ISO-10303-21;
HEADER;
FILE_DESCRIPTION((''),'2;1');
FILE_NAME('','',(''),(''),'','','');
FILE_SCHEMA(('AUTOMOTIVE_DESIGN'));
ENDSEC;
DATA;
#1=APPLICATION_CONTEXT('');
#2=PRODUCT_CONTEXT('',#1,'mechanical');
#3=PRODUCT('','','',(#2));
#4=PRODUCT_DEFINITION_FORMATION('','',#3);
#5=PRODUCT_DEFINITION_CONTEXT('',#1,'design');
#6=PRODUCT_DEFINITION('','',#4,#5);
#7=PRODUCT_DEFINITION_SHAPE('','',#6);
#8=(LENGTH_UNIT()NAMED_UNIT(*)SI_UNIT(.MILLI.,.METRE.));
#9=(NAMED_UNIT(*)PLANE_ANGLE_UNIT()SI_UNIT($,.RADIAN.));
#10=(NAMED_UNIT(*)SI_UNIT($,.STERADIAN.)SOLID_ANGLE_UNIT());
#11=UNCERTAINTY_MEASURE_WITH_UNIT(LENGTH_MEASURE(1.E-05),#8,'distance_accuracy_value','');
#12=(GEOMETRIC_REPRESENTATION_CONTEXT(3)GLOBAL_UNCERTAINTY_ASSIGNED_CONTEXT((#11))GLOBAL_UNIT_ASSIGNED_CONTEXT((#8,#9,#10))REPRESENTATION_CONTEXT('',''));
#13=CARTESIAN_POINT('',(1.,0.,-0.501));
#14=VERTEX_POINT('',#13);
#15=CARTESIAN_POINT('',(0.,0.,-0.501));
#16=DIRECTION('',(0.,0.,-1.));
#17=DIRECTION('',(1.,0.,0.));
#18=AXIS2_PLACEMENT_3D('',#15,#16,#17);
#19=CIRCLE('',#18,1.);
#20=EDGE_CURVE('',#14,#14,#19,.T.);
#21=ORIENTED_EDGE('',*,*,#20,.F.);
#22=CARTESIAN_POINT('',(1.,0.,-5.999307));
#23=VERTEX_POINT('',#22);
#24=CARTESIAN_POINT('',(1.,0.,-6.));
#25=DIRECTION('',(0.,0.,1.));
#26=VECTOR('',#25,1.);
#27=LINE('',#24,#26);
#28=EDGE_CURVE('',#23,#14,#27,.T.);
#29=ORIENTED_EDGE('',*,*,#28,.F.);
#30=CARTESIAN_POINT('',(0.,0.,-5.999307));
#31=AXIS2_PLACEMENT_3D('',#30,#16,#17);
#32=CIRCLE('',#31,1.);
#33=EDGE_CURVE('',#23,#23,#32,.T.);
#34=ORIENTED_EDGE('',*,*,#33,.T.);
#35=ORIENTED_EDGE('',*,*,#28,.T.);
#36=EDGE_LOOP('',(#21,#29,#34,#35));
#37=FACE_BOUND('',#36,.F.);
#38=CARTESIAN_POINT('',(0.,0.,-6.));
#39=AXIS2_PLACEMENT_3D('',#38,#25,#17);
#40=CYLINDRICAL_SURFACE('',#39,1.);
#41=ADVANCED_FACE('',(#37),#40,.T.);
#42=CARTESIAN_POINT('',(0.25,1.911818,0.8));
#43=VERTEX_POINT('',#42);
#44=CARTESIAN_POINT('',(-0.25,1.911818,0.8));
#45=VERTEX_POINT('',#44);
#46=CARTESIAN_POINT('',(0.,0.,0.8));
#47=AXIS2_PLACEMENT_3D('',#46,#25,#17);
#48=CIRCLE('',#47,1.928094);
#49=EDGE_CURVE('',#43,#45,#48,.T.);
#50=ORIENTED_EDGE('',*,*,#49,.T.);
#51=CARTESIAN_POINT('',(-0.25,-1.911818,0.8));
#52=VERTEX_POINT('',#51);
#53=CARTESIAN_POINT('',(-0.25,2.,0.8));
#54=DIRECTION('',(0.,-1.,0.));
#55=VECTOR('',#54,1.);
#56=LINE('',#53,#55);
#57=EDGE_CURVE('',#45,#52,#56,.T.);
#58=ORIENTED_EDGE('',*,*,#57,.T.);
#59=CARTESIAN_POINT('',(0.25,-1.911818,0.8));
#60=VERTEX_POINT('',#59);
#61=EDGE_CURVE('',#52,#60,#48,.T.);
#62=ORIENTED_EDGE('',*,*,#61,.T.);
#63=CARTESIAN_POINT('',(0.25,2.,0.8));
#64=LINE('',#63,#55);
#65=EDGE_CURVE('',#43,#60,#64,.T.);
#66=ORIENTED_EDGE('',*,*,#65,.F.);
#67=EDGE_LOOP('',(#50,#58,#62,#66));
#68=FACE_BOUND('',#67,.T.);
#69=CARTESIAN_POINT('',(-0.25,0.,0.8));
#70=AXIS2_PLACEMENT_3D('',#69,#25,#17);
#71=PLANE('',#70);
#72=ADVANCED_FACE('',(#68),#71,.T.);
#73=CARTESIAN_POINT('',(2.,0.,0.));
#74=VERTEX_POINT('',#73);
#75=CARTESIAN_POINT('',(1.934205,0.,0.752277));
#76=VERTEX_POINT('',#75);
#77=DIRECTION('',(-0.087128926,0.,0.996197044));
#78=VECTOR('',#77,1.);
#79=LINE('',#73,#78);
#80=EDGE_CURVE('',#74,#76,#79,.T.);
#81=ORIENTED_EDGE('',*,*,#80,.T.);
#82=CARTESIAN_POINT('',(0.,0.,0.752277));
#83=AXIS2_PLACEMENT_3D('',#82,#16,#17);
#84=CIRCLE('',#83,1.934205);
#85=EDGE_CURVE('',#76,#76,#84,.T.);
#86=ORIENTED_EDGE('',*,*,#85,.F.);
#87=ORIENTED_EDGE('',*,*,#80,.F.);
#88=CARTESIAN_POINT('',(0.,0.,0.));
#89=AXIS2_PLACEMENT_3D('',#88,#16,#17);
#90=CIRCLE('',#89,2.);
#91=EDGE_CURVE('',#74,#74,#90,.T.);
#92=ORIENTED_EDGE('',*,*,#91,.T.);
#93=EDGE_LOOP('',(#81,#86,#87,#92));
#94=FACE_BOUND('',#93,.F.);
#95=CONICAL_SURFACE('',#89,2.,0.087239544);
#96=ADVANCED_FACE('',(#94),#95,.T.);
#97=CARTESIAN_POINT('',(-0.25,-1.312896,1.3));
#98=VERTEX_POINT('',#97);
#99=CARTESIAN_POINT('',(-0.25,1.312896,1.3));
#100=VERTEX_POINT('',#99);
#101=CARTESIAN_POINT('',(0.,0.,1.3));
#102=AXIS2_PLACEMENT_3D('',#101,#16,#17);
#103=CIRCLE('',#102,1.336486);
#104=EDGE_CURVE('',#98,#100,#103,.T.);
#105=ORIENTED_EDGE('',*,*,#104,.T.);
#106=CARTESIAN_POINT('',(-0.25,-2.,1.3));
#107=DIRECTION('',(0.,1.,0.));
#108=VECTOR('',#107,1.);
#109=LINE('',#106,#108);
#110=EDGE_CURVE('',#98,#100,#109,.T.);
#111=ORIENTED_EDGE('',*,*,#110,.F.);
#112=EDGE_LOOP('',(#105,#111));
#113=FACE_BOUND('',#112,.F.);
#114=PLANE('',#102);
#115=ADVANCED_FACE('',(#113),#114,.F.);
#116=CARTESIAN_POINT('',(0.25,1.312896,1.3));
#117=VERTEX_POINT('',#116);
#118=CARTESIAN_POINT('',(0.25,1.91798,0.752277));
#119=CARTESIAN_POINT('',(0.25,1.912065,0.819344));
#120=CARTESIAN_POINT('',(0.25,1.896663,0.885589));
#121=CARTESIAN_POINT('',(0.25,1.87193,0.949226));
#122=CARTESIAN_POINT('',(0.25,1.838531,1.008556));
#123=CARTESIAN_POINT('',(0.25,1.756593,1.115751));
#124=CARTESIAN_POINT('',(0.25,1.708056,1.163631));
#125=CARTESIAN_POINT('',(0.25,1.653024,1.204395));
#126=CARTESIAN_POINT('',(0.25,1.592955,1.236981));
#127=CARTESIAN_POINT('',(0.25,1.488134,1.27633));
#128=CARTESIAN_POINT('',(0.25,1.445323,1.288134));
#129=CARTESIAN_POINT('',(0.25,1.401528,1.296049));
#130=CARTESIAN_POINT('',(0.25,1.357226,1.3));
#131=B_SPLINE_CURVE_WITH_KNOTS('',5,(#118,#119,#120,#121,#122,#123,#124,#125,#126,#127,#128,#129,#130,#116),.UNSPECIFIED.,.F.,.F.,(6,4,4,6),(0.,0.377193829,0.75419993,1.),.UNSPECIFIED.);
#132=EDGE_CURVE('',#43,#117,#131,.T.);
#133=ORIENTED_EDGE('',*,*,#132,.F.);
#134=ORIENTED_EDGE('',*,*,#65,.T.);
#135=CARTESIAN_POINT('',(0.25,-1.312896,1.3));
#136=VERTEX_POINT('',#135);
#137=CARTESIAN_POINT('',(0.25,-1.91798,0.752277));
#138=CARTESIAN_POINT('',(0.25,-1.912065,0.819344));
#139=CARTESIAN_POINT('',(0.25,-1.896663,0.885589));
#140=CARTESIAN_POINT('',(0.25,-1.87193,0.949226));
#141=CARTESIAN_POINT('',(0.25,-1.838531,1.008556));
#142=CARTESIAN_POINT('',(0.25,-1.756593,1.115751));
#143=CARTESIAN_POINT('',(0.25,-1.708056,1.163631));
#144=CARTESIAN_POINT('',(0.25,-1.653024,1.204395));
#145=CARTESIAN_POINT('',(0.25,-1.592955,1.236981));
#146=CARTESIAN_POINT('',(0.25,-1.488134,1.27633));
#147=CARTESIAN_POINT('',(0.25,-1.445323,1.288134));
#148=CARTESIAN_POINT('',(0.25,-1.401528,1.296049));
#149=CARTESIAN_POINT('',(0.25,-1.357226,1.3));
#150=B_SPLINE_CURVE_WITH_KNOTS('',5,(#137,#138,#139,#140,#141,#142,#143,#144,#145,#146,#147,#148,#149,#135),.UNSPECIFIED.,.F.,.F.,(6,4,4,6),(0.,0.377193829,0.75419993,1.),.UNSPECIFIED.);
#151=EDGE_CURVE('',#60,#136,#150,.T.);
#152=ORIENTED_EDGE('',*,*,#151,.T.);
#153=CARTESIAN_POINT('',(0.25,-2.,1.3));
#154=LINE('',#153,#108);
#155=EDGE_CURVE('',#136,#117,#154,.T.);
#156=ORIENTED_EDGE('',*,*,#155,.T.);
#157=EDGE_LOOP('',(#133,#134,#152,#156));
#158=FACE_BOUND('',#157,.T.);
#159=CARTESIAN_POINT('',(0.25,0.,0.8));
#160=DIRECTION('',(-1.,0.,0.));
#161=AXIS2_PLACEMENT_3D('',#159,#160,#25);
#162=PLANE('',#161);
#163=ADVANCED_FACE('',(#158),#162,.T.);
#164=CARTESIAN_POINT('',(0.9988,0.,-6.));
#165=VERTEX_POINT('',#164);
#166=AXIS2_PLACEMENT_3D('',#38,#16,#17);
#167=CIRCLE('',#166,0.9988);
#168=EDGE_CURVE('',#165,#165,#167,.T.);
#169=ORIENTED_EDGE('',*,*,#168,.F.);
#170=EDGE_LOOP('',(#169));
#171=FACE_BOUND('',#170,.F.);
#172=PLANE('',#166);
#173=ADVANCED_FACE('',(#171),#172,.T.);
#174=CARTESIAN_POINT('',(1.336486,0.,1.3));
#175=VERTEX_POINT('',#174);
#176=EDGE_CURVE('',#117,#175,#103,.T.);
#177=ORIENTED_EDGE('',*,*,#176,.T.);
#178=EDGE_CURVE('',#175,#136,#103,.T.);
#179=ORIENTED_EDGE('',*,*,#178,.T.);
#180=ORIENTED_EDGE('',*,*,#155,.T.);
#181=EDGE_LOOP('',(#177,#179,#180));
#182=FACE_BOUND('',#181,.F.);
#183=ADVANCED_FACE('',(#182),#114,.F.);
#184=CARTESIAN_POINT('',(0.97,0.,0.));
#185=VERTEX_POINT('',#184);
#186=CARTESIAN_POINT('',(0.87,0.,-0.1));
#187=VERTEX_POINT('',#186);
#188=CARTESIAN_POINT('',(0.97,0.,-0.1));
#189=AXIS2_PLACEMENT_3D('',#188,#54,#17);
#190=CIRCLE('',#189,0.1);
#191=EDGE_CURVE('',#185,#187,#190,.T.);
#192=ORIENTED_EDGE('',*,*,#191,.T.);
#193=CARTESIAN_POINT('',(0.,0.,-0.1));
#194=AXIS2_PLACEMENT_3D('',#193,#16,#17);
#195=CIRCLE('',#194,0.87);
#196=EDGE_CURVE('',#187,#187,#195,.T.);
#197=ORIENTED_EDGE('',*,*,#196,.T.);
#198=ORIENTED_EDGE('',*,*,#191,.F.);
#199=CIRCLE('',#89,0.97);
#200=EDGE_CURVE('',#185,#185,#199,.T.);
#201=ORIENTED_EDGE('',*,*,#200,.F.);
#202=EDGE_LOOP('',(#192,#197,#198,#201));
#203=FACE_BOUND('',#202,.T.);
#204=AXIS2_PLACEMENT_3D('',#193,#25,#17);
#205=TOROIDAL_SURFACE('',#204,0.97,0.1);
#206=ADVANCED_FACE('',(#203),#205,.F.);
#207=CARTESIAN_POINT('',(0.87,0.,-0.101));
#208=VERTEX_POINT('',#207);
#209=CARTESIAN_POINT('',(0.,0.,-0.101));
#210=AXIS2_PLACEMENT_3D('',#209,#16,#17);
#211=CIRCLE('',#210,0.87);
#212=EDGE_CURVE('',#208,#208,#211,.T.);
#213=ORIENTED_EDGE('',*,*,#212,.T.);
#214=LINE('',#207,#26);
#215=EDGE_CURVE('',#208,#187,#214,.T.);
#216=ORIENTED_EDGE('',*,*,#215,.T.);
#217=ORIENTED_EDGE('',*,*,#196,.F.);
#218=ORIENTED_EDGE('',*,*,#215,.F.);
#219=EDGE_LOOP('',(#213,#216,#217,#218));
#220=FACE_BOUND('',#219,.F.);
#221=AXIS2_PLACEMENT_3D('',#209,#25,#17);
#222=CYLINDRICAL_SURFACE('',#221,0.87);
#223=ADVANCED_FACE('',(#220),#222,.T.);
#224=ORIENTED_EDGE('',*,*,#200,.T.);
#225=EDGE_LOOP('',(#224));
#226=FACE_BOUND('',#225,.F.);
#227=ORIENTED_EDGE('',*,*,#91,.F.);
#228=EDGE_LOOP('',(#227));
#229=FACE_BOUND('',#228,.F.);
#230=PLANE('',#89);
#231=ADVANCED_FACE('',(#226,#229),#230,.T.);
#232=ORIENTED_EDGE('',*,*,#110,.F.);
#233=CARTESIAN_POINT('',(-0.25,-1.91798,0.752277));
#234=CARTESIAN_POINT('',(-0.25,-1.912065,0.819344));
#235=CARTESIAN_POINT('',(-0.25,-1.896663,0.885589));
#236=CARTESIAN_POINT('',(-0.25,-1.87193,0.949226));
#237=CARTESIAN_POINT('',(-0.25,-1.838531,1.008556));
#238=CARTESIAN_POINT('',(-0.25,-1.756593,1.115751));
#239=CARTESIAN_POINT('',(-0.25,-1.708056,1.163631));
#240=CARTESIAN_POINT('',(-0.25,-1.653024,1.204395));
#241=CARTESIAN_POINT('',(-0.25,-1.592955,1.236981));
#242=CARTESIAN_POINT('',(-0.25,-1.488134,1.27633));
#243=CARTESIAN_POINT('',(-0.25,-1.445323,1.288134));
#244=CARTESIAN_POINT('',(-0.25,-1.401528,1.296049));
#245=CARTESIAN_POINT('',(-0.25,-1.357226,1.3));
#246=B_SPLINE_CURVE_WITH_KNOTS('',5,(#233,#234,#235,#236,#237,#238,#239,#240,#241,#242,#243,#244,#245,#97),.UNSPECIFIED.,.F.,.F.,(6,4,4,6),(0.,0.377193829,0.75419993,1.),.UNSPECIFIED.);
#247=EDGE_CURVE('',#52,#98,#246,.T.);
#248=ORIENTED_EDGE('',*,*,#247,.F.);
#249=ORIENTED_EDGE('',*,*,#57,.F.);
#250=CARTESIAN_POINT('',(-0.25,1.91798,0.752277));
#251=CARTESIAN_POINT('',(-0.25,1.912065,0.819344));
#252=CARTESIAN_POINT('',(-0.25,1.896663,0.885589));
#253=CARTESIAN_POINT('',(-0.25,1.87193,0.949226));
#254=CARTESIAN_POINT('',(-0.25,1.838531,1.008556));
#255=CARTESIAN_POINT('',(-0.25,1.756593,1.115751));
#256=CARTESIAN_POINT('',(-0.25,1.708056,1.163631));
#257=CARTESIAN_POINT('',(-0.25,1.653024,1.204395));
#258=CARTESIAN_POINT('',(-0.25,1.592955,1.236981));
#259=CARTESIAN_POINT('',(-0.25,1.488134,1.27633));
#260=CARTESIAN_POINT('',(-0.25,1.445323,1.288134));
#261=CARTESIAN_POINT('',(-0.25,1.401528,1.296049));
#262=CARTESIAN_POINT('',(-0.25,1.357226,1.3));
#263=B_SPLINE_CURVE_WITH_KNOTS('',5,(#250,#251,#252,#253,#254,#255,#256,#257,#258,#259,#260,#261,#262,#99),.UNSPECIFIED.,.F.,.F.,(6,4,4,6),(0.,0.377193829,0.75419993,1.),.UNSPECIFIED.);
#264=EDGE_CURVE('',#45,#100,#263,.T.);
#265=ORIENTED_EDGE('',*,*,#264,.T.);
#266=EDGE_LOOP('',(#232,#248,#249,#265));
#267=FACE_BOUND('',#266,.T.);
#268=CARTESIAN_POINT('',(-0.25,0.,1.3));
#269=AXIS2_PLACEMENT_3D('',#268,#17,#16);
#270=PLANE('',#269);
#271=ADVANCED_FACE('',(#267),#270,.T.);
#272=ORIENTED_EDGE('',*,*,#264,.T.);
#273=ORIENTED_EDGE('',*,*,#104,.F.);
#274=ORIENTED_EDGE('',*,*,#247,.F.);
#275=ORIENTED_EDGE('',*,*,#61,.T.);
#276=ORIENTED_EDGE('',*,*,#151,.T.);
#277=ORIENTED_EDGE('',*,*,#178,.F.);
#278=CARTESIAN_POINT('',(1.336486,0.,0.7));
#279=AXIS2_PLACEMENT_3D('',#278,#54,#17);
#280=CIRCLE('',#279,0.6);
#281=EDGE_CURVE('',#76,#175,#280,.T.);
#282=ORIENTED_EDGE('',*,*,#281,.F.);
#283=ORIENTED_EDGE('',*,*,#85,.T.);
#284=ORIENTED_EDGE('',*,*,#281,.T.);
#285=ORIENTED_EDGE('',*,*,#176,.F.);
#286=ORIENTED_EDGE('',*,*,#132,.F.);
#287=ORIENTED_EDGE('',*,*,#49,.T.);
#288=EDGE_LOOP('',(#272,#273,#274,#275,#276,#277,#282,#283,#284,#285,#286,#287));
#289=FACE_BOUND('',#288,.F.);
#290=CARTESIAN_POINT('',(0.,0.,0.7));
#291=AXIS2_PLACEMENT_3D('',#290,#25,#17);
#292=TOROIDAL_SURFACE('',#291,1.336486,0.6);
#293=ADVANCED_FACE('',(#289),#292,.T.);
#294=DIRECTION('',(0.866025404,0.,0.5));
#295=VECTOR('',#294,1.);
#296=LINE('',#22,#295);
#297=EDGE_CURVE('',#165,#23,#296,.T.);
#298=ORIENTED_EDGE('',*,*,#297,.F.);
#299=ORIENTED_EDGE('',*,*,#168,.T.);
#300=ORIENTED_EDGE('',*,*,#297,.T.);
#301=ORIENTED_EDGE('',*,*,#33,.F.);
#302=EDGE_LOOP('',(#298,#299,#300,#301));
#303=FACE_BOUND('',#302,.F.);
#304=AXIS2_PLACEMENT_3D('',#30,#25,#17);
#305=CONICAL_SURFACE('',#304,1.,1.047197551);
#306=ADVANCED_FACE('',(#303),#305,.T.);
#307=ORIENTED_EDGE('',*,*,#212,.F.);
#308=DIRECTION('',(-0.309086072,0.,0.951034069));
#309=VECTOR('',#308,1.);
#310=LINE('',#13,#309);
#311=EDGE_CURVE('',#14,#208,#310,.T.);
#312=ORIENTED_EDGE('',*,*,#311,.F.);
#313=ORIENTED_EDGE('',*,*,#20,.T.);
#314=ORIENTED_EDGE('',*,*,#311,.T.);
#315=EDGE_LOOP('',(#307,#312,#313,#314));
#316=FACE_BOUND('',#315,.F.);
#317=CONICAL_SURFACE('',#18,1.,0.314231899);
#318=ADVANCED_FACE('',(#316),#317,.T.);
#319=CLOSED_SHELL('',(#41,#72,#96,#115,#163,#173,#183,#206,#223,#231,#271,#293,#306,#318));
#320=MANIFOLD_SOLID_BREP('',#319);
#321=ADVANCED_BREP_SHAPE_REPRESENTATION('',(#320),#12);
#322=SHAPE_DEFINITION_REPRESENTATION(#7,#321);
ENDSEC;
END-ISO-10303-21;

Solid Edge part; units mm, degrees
sketch "Sketch1" plane through (0, 0, 0) normal (0, -1, 0) x (1, 0, 0)
  line L0 (0, -6) -> (1, -6)
  line L1 (1, -6) -> (1, -0.501)
  line L2 (1, -0.501) -> (0.87, -0.101)
  line L3 (0.87, -0.101) -> (0.87, 0)
  line L4 (0.87, 0) -> (2, 0)
  line L5 (2, 0) -> (1.8863, 1.3)
  line L6 (1.8863, 1.3) -> (0, 1.3)
  dimension "D1" = 1
  dimension "D2" = 0.87
  dimension "D3" = 6
  dimension "D4" = 5.499
  dimension "D5" = 0.4
  dimension "D6" = 2
  dimension "D7" = 1.3
revolve "RevolvedProtrusion1" add sketch "Sketch1" angle 360 about axis through (0, 0, 6) along (0, 0, -1)
fillet "Round_1" radius 0.6 1 edges at (-1.8863, 0, 1.3)
sketch "Sketch2" plane through (0, 0, 0) normal (0, -1, 0) x (1, 0, 0)
  line L0 (-0.25, 1.3) -> (-0.25, 0.8)
  line L1 (-0.25, 0.8) -> (0.25, 0.8)
  line L2 (0.25, 0.8) -> (0.25, 1.3)
  line L3 (0.25, 1.3) -> (-0.25, 1.3)
  dimension "D1" = 0.5
  dimension "D2" = 0.5
  dimension "D3" = 1.3
extrude "ExtrudedCutout_1" cut sketch "Sketch2" along normal mid plane 4
cosmetic_thread "Thread_1" size "M2" thread depth 5.499
fillet "Round_2" radius 0.1 1 edges at (-0.87, 0, 0)
chamfer "Chamfer_1" distance 0.0012 angle 30 1 edges at (-1, 0, -6) measured on face at (0.6867, 0.6467, -6)
properties material "Steel"
